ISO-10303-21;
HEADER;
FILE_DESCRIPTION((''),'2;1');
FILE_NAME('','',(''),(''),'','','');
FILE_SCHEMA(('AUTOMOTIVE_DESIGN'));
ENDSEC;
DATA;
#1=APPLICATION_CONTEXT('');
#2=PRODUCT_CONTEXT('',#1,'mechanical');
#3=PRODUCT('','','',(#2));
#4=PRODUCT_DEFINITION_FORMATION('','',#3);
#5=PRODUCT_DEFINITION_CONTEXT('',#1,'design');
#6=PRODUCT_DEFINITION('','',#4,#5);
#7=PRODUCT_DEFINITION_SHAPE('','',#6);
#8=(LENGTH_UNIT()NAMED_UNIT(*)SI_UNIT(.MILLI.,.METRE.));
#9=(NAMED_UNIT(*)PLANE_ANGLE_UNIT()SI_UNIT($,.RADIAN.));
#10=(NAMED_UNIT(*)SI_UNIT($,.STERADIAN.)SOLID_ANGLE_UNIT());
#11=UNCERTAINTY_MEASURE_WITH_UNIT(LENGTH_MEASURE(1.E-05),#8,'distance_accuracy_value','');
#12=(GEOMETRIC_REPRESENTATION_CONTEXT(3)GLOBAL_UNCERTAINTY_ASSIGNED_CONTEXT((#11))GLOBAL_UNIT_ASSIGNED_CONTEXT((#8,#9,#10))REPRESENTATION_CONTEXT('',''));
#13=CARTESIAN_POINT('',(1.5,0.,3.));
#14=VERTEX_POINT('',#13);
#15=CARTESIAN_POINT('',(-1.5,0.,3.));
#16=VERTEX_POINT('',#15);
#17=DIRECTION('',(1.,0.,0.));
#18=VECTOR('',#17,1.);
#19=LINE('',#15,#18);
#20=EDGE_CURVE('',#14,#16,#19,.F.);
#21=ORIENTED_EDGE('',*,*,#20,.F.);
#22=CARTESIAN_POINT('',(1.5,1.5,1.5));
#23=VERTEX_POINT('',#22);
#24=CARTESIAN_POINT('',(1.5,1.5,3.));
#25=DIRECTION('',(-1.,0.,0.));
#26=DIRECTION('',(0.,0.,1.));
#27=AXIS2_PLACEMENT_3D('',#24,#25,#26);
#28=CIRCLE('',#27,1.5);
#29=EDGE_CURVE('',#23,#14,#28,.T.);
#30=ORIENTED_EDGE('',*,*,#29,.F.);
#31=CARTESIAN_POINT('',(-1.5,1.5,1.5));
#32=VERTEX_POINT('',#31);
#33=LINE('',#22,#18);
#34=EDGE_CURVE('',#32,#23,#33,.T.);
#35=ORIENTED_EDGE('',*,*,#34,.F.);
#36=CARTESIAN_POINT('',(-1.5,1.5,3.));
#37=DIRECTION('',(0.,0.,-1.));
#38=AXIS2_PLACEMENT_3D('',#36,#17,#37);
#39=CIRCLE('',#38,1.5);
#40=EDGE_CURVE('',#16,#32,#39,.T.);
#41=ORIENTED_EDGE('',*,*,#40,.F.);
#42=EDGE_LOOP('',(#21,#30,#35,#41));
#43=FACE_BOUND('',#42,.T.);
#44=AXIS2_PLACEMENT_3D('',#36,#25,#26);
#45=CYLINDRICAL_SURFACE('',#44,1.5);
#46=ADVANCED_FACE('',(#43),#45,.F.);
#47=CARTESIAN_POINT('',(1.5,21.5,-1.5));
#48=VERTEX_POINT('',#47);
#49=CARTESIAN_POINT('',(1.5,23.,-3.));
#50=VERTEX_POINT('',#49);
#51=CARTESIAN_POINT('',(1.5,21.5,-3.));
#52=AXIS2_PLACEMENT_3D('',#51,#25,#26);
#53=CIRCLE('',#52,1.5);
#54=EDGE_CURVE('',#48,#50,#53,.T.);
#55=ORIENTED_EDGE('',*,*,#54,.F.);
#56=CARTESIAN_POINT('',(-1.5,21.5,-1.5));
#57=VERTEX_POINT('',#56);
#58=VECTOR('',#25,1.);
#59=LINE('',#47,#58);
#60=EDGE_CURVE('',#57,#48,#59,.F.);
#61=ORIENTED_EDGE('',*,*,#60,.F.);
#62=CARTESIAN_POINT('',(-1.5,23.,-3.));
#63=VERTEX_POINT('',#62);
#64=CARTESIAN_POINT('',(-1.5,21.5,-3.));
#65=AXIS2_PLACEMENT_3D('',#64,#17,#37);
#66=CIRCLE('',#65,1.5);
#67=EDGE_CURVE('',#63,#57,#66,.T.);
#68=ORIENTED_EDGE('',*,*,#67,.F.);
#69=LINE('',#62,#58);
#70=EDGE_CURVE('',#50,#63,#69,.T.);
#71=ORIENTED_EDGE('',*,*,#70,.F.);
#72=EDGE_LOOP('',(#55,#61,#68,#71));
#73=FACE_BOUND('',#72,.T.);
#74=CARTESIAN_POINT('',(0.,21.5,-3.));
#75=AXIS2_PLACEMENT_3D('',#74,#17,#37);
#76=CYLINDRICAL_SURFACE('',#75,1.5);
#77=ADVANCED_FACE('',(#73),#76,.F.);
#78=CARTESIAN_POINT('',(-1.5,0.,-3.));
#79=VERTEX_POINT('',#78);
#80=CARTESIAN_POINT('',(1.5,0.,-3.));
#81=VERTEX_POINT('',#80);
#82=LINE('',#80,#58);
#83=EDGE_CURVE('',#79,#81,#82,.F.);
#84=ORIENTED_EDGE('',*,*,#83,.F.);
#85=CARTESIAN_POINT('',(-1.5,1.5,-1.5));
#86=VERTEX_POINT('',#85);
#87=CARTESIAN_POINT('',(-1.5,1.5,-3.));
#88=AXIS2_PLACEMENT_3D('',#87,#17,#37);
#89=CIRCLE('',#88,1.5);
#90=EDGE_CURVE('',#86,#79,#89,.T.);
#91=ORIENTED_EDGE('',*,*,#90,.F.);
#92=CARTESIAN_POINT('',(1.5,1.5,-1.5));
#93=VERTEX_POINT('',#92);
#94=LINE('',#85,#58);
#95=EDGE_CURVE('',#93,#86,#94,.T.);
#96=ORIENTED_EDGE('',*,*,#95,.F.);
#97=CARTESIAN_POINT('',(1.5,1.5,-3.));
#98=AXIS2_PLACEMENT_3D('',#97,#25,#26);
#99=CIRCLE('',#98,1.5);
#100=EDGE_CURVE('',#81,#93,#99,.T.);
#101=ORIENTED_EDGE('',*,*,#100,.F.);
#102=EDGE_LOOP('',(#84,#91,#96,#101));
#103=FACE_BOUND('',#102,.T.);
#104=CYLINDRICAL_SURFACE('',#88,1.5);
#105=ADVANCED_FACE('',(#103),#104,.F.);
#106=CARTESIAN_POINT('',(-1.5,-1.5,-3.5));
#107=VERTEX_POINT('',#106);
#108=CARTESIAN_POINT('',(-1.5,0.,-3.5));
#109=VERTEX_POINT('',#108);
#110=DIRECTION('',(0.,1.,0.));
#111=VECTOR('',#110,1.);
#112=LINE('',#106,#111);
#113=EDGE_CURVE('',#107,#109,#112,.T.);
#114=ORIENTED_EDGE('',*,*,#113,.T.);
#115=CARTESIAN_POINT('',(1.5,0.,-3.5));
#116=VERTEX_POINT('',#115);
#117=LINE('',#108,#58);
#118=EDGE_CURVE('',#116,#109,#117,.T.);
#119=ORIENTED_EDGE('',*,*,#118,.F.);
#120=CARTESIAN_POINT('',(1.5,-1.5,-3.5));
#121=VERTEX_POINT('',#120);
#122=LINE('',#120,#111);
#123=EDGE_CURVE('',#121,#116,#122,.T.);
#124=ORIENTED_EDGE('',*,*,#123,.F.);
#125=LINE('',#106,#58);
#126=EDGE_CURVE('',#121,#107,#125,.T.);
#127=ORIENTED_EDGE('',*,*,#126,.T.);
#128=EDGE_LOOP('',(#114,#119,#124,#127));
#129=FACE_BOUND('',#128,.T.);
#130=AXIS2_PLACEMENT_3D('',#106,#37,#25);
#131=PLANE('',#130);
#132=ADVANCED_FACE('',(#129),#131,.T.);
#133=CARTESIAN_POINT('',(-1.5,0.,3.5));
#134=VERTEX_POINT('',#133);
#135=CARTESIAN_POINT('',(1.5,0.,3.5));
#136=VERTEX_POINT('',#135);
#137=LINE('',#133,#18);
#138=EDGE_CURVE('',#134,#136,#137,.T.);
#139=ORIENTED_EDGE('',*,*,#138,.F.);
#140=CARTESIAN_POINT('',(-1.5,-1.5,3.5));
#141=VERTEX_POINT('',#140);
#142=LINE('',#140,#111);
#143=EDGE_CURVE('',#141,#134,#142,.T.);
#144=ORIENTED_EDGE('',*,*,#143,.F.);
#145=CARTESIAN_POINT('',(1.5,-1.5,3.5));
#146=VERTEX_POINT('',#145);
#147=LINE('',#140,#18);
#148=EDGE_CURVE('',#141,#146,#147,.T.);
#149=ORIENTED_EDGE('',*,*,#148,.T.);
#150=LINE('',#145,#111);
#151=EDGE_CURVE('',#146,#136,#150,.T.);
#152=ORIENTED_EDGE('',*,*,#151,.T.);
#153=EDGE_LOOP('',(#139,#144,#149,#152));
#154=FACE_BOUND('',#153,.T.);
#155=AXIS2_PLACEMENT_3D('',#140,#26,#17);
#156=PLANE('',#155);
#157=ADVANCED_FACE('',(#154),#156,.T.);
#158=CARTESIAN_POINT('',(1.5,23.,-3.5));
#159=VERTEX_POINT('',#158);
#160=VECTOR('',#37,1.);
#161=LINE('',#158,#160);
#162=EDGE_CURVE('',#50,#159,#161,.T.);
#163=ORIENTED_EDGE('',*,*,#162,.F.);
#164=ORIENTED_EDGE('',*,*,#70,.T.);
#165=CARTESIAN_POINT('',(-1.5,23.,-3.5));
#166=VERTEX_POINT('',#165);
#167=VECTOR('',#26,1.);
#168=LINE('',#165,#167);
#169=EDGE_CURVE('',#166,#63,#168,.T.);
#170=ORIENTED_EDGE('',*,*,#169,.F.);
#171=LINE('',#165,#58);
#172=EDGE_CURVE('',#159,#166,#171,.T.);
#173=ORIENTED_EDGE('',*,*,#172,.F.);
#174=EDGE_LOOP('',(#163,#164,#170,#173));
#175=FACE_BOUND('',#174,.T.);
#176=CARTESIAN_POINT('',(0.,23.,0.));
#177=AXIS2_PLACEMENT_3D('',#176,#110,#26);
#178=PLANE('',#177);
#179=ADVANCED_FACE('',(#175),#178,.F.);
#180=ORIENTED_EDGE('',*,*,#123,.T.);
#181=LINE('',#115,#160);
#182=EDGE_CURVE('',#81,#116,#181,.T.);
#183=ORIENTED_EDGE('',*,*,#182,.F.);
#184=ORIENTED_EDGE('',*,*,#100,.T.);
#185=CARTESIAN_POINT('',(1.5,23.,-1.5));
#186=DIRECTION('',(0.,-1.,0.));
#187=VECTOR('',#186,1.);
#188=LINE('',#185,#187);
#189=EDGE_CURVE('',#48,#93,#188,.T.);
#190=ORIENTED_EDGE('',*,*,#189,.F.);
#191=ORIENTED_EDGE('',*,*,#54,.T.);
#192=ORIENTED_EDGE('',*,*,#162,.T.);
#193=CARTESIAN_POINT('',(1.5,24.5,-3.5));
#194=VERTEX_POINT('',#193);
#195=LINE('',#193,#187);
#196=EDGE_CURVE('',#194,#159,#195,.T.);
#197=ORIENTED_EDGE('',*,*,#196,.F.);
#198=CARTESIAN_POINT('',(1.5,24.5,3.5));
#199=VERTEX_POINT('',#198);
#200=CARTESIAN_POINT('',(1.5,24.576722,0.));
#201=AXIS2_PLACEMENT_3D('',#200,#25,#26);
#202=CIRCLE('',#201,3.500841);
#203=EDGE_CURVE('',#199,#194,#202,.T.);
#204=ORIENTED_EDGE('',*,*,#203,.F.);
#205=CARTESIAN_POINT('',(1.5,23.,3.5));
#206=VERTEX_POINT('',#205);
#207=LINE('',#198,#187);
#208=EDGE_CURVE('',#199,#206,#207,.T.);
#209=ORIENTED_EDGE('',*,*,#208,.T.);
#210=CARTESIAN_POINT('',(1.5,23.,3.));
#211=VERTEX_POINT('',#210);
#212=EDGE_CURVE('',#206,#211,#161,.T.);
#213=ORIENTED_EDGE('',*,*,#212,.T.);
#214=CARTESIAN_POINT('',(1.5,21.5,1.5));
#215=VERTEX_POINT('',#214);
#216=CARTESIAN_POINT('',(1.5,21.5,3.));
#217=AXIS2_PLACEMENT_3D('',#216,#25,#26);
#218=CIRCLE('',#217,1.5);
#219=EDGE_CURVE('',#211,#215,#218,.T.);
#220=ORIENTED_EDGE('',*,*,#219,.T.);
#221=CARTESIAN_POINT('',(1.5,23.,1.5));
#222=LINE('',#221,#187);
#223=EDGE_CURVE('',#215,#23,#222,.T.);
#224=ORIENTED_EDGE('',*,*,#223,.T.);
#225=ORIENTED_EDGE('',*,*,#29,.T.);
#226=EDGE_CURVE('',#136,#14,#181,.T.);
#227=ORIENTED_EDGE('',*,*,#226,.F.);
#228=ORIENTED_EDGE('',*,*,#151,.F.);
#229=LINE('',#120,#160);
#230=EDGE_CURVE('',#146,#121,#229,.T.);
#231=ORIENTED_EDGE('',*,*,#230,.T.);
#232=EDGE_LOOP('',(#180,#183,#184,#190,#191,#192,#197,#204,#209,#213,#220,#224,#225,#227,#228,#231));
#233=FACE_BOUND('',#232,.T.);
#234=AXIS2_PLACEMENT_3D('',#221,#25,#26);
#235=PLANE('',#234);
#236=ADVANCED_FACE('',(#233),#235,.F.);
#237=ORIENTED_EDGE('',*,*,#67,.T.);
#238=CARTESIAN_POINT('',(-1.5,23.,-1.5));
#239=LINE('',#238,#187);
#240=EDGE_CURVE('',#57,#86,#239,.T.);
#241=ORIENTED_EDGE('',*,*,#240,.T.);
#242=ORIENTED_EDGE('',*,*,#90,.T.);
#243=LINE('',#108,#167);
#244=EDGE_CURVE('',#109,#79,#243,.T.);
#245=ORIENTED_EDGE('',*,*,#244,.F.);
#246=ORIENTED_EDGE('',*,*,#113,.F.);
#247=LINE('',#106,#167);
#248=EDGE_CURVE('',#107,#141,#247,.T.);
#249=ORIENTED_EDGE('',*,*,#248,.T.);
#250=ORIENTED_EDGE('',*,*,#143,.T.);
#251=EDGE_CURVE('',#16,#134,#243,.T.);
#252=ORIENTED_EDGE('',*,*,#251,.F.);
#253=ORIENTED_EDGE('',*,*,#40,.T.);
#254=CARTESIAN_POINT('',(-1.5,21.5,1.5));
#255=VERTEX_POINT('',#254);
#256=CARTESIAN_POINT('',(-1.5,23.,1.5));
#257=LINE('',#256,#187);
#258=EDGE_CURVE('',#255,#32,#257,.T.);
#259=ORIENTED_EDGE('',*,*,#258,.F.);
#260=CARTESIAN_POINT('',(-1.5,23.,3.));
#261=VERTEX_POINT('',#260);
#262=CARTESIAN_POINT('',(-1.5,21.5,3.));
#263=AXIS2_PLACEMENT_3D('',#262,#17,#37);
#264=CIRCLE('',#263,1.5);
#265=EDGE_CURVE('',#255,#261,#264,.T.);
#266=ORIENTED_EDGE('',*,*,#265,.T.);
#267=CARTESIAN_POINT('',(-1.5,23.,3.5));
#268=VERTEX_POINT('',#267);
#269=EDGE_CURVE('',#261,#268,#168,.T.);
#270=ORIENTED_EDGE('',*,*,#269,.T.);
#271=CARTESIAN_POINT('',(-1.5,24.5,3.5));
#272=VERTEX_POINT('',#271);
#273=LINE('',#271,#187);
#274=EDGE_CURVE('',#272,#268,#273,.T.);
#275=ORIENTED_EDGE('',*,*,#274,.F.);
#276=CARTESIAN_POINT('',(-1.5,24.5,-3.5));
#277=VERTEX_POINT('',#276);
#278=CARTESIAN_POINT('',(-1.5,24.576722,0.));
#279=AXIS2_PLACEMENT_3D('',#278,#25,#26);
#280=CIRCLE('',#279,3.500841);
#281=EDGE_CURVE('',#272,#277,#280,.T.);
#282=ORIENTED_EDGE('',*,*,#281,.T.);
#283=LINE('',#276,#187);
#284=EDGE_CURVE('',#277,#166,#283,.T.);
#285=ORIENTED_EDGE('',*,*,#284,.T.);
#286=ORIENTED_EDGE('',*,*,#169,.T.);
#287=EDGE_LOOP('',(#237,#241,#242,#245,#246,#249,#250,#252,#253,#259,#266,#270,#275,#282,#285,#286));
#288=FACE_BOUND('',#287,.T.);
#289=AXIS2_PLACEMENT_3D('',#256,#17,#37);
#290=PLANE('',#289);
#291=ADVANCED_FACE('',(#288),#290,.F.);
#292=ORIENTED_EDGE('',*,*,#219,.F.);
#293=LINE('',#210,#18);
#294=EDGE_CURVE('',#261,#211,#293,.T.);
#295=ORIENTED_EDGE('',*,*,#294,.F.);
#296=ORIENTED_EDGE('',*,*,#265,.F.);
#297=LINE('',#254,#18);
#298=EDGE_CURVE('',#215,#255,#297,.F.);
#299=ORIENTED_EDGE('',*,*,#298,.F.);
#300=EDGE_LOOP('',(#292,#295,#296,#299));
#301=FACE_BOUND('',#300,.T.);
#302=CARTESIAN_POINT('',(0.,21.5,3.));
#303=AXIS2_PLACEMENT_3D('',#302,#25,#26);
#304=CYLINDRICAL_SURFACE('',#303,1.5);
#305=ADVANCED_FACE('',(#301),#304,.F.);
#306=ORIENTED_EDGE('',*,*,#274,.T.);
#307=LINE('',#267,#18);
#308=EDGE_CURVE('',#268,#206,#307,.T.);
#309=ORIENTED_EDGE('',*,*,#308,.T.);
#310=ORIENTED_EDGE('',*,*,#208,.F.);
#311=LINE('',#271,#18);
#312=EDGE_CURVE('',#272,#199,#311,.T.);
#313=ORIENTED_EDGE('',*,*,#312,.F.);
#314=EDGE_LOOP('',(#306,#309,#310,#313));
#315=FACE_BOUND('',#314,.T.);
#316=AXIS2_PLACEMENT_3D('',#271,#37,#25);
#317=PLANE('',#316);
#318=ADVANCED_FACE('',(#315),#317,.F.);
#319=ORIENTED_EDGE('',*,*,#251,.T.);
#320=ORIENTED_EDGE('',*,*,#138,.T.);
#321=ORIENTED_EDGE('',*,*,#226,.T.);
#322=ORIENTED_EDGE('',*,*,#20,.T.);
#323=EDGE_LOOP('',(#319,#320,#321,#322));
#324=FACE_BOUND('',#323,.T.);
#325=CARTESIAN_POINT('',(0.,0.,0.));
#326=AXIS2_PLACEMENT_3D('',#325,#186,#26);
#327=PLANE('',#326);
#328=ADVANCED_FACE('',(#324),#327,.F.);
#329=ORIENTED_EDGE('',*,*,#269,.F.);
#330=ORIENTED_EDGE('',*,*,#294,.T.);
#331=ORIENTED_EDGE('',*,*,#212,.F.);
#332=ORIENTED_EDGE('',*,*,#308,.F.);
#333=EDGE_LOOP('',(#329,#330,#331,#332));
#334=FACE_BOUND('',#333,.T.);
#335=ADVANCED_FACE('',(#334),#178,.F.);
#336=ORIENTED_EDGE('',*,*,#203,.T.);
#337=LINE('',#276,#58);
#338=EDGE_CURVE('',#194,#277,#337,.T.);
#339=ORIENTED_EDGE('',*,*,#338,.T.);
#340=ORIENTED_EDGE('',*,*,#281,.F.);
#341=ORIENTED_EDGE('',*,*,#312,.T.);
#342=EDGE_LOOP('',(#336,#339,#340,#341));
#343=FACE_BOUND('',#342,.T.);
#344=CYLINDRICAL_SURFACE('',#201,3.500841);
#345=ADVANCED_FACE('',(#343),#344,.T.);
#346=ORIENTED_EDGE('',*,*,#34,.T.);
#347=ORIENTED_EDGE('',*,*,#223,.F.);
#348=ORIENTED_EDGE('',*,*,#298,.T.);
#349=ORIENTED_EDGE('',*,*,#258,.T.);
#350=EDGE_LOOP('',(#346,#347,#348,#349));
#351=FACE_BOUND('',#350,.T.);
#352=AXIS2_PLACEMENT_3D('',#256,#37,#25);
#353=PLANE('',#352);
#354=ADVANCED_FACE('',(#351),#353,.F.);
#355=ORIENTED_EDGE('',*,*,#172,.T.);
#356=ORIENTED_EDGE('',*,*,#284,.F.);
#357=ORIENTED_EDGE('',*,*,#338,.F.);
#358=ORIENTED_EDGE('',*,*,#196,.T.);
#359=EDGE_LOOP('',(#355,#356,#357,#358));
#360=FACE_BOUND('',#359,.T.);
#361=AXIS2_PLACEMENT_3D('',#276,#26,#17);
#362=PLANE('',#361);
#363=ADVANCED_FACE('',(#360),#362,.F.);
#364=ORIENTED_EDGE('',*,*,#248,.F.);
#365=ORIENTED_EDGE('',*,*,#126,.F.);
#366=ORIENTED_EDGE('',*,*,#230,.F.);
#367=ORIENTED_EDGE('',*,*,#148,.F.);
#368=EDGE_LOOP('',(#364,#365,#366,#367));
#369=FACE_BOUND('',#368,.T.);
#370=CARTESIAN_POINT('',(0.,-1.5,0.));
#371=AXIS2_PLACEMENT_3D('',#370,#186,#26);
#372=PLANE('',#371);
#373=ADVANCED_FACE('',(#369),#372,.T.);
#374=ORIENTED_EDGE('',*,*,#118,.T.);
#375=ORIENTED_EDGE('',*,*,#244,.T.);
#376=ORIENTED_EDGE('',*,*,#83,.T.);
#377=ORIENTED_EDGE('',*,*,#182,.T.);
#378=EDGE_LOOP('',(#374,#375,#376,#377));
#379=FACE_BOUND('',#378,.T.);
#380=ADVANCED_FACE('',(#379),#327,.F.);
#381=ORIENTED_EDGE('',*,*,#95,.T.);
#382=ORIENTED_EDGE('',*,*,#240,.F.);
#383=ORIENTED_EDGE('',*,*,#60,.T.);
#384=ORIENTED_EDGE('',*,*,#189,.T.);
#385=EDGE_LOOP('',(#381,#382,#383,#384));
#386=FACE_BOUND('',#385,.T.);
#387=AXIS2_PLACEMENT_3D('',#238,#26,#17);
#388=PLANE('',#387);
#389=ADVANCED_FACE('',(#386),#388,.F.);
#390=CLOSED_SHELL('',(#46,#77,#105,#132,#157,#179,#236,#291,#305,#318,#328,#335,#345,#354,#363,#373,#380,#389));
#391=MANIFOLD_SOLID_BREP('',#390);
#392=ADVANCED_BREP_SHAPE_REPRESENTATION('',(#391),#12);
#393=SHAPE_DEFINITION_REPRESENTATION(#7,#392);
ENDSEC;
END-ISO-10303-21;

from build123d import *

# Parameters (mm, degrees)
SKETCH1_W           = 3
SKETCH1_H           = 3
BOSS_EXTRUDE1_DEPTH = 23
SKETCH3_W           = 3
SKETCH3_H           = 7
BOSS_EXTRUDE2_DEPTH = 1.5
FILLET1_R           = 1.5
BOSS_EXTRUDE3_DEPTH = 3


with BuildPart() as part:
    # Sketch1 → Boss-Extrude1 (new body)
    with BuildSketch(Plane(origin=(0, 0, 0), x_dir=(1, 0, 0), z_dir=(0, 1, 0))):
        Rectangle(SKETCH1_W, SKETCH1_H)
    extrude(amount=BOSS_EXTRUDE1_DEPTH)

    # Sketch3 → Boss-Extrude2 (add)
    with BuildSketch(Plane(origin=(0, 23, 0), x_dir=(1, 0, 0), z_dir=(0, 1, 0))):
        Rectangle(SKETCH3_W, SKETCH3_H)
    boss_extrude2 = extrude(amount=BOSS_EXTRUDE2_DEPTH)

    # Mirror2: Boss-Extrude2 across plane
    add(boss_extrude2.mirror(Plane(origin=(0, 11.5, 0), x_dir=(0, 0, 1), z_dir=(0, -1, 0))))

    # Fillet1
    fillet1_edges = [part.edges().sort_by_distance(p)[0] for p in [
        (0, 23, 1.5),
        (0, 0, 1.5),
        (0, 0, -1.5),
        (0, 23, -1.5),
    ]]
    fillet(fillet1_edges, radius=FILLET1_R)

    # Sketch4 → Boss-Extrude3 (add)
    with BuildSketch(Plane.ZY.offset(1.5)):
        with BuildLine():
            Line((-3.5, 24.5), (3.5, 24.5))
            ThreePointArc((3.5, 24.5), (0, 28.077563248), (-3.5, 24.5))
        make_face()
    extrude(amount=-BOSS_EXTRUDE3_DEPTH)


solid = part.part
